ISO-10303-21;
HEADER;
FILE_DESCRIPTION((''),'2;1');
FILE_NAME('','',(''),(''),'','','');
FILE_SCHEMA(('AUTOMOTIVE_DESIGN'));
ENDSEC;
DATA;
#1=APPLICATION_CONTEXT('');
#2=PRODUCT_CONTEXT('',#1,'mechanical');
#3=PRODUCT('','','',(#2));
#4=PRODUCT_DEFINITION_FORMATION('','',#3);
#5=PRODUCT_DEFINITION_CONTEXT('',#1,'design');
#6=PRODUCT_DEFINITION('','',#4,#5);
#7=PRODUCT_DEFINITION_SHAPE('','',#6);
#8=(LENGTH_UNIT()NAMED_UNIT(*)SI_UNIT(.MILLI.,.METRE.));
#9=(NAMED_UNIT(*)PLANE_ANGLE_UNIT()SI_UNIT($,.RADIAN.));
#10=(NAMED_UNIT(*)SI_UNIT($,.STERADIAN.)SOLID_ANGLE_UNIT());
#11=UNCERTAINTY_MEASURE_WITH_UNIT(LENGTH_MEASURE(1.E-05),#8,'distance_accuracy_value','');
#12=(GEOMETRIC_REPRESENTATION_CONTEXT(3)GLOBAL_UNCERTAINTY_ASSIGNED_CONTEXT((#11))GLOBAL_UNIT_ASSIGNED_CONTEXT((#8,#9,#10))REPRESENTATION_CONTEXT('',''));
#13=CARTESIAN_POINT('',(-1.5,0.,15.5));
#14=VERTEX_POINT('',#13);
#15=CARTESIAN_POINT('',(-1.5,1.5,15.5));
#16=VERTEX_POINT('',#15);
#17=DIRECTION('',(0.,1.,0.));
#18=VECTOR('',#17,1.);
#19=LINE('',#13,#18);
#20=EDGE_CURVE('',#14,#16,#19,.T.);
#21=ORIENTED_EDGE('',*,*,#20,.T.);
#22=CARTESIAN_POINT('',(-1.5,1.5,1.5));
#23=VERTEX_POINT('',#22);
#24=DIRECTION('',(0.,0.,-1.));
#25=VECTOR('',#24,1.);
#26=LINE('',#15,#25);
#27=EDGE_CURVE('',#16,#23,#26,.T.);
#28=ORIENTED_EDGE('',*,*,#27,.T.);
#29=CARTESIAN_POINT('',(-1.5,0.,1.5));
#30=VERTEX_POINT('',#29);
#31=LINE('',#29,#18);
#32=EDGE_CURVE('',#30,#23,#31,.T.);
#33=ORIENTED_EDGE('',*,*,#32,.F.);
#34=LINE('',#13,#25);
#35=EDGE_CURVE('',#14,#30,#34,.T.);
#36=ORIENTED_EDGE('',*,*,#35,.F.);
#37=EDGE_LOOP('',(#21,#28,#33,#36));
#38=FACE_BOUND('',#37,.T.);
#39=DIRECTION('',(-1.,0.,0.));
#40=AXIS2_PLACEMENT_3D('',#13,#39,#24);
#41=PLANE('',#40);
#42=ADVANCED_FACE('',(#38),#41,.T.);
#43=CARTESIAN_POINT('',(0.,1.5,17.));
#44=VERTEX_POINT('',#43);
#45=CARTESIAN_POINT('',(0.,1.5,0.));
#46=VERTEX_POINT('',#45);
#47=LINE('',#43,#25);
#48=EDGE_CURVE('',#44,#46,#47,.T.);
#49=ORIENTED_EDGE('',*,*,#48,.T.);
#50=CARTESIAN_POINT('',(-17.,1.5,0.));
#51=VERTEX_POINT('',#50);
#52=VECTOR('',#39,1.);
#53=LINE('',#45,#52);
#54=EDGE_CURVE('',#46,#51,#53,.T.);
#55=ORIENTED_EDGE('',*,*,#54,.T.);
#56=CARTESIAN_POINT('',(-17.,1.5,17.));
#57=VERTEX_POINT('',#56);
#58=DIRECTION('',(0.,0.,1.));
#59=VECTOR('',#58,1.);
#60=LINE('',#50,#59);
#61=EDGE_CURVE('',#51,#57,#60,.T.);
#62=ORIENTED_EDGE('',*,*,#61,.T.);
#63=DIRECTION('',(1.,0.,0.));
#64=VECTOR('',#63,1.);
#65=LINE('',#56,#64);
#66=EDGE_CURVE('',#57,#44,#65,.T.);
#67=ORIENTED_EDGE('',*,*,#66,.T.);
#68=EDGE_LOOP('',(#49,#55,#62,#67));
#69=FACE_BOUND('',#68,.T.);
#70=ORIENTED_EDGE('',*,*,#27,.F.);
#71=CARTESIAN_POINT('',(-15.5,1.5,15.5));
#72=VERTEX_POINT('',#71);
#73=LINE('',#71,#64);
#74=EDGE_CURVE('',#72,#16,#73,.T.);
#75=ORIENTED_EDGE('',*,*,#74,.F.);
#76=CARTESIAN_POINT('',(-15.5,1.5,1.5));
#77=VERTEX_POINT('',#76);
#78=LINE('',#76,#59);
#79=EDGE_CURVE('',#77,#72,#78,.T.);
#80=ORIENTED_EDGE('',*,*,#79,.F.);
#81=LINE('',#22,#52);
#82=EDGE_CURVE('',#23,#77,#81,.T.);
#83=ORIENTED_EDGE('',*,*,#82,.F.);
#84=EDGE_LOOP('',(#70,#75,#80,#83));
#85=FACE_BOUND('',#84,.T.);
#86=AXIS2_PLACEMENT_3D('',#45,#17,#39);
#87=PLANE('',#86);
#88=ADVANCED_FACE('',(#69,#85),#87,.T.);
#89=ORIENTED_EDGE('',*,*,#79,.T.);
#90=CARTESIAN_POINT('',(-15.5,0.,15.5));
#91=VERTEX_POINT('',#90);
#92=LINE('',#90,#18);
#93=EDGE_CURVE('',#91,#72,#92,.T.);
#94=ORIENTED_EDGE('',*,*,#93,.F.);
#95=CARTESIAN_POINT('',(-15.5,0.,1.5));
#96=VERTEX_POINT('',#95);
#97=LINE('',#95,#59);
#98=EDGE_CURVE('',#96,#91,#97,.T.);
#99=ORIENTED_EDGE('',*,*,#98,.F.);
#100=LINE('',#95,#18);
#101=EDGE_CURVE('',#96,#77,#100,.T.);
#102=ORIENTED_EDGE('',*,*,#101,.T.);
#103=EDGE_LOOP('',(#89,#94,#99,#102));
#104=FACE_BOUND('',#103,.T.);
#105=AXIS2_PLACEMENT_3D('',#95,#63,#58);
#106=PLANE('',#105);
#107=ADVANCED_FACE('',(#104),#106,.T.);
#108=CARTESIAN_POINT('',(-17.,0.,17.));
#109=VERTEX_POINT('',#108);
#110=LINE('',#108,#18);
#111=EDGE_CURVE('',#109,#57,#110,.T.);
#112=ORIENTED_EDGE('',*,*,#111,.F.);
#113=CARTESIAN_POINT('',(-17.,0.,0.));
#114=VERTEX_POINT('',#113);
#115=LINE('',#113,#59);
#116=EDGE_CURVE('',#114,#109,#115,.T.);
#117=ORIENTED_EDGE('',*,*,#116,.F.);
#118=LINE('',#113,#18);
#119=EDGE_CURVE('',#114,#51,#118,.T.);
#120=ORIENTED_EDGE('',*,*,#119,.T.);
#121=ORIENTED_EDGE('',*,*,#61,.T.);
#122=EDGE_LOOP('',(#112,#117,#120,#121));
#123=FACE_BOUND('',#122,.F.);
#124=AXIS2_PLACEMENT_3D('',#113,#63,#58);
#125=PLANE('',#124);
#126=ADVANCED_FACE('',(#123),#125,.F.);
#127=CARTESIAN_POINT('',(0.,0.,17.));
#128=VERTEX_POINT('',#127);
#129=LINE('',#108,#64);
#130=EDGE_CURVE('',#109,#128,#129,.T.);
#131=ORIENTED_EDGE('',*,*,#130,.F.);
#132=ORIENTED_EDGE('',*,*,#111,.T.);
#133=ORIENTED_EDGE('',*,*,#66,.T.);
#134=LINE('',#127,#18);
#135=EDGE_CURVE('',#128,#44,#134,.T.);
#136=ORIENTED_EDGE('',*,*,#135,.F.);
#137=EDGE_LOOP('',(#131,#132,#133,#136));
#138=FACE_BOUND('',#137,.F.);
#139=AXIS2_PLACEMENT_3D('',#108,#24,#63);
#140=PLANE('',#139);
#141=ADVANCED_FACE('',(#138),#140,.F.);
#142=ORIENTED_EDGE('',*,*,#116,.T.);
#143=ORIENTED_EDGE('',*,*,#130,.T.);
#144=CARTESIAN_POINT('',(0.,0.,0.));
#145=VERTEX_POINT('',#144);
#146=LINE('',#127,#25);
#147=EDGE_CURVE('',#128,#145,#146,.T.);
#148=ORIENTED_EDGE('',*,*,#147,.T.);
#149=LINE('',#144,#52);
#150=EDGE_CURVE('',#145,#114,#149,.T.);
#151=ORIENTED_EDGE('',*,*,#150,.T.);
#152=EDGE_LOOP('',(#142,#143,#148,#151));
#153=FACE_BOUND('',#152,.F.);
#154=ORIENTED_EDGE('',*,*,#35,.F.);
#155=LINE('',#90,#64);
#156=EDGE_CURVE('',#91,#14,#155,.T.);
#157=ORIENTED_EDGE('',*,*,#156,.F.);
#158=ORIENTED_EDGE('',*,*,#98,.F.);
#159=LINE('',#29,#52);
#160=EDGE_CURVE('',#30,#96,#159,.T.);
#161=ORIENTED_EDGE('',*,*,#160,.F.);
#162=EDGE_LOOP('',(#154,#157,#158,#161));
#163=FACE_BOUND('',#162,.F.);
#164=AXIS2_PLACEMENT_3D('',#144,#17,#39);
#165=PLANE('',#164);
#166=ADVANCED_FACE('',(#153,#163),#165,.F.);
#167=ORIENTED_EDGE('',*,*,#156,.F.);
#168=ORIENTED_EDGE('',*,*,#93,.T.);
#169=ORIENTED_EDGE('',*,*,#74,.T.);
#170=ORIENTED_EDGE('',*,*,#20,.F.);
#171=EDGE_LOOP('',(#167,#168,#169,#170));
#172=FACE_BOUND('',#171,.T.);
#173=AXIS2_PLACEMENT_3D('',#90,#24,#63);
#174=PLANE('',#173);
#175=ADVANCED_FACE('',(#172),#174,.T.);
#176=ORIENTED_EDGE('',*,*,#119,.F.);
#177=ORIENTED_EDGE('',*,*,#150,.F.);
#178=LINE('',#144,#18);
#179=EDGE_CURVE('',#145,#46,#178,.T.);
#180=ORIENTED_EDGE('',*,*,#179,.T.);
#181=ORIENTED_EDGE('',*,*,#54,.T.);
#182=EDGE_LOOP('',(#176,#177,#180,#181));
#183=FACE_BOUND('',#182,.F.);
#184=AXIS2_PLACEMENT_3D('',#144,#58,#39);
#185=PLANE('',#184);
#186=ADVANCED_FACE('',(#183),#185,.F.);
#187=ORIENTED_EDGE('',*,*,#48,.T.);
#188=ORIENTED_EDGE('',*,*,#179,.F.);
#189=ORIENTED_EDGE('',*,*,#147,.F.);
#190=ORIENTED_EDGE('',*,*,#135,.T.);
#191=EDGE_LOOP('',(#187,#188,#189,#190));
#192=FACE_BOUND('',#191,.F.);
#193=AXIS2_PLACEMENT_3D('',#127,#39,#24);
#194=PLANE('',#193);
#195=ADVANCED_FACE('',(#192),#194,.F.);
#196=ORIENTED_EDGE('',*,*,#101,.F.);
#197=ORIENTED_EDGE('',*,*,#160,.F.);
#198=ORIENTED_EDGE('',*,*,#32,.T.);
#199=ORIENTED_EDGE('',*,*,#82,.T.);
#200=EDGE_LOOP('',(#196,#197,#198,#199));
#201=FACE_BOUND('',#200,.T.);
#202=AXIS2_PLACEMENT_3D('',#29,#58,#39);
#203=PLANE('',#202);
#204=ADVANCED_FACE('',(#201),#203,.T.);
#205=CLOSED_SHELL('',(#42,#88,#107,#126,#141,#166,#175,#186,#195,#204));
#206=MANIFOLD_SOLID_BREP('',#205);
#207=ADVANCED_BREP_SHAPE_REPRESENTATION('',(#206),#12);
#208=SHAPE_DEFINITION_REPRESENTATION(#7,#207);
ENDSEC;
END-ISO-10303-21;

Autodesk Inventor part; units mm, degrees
ref_plane "YZ Plane" through (0, 0, 0) normal (1, 0, 0) x (0, 1, 0)
ref_plane "XZ Plane" through (0, 0, 0) normal (0, 1, 0) x (-1, 0, 0)
ref_plane "XY Plane" through (0, 0, 0) normal (0, 0, 1) x (1, 0, 0)
sketch "Sketch1" plane through (0, 0, 0) normal (0, 1, 0) x (-1, 0, 0)
  line L0 (0, 0) -> (17, 0)
  line L1 (17, 0) -> (17, 17)
  line L2 (17, 17) -> (0, 17)
  line L3 (0, 17) -> (0, 0)
  line L4 (1.5, 1.5) -> (15.5, 1.5)
  line L5 (15.5, 1.5) -> (15.5, 15.5)
  line L6 (15.5, 15.5) -> (1.5, 15.5)
  line L7 (1.5, 15.5) -> (1.5, 1.5)
  dimension "d0" = 17
  dimension "d1" = 17
  dimension "d2" = 14
  dimension "d3" = 14
extrude "Extrusion1" add sketch "Sketch1" along normal blind 1.5
properties part number "test plate"
